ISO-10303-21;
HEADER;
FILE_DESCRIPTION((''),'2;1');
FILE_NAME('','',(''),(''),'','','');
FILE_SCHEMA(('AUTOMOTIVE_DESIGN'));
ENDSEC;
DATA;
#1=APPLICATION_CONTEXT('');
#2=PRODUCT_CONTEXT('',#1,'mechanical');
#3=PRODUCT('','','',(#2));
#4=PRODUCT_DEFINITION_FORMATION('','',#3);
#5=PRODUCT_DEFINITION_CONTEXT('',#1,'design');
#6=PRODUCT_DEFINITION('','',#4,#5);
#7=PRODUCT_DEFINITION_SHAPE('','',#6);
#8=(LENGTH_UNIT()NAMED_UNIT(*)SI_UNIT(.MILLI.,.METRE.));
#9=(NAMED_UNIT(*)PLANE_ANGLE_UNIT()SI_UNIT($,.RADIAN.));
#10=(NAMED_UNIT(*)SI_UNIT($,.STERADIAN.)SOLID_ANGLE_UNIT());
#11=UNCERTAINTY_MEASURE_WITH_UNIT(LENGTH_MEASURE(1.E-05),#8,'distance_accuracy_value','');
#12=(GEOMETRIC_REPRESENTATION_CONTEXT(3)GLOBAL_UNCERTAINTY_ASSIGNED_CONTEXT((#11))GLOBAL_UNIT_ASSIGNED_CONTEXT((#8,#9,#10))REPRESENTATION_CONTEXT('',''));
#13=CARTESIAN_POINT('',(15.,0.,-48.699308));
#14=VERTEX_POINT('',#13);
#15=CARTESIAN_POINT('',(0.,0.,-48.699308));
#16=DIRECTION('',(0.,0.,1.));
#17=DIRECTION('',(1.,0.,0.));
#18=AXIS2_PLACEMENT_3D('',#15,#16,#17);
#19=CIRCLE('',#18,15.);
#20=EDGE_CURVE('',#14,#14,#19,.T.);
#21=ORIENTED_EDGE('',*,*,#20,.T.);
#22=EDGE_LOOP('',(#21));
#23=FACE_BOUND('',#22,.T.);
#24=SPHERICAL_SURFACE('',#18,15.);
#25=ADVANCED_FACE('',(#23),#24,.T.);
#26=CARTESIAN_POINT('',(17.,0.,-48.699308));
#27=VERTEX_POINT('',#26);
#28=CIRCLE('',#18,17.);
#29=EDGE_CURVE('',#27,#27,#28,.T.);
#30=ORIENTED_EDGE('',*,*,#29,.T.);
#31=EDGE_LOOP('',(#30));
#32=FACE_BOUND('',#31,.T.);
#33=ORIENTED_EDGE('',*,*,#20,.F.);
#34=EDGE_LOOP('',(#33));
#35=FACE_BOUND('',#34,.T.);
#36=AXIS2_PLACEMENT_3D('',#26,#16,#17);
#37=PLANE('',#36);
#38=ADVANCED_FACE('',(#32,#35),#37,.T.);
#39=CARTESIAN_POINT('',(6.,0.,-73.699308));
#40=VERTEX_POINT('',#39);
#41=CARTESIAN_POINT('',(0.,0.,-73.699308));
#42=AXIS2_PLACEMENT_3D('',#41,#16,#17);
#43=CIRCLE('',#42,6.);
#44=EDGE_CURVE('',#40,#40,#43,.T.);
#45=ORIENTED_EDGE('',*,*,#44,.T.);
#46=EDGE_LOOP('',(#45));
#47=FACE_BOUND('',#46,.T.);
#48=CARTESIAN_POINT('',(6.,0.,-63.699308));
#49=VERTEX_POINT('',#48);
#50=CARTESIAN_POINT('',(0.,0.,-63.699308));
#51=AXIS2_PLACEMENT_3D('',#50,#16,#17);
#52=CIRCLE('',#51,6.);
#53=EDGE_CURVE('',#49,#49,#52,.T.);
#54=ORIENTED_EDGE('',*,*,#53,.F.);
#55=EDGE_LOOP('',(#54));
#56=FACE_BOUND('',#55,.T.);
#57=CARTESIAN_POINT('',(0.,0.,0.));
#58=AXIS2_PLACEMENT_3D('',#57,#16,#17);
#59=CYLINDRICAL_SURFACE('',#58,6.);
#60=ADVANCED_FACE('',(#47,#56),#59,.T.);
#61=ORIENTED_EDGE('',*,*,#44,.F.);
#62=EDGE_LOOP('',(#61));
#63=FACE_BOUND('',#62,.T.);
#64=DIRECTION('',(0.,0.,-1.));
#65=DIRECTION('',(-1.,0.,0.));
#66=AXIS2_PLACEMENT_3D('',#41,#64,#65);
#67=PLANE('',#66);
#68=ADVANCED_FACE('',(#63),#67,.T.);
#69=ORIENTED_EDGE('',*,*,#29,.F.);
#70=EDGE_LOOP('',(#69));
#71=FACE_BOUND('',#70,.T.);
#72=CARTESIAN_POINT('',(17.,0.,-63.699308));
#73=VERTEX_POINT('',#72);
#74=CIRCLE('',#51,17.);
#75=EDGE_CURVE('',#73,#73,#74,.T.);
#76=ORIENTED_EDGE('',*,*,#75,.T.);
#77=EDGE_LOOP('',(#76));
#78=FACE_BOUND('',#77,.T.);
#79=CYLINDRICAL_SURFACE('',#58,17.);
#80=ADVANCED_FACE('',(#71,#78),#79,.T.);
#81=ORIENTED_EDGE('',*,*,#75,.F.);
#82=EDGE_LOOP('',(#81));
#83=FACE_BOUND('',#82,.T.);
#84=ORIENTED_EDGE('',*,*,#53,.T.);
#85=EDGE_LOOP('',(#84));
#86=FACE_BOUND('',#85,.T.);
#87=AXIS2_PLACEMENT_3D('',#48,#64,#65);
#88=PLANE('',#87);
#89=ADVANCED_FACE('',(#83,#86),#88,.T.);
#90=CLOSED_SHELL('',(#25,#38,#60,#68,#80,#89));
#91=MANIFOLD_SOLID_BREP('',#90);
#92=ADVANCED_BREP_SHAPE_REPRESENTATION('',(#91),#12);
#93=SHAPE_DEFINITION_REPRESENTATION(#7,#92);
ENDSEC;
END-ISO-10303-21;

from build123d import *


with BuildPart() as part:
    # Sketch1 → Revolve6 (revolve)
    with BuildSketch(Plane(origin=(0, 0, 0), x_dir=(1, 0, 0), z_dir=(0, 1, 0))):
        with BuildLine():
            Line((0, 73.69930834), (6, 73.69930834))
            Line((6, 73.69930834), (6, 63.69930834))
            Line((6, 63.69930834), (17, 63.69930834))
            Line((17, 63.69930834), (17, 48.69930834))
            Line((17, 48.69930834), (15, 48.69930834))
            ThreePointArc((15, 48.69930834), (10.606601718, 38.092706622), (0, 33.69930834))
            Line((0, 33.69930834), (0, 73.69930834))
        make_face()
    revolve(axis=Axis((0, 0, 0), (0, 0, -1)))


solid = part.part
